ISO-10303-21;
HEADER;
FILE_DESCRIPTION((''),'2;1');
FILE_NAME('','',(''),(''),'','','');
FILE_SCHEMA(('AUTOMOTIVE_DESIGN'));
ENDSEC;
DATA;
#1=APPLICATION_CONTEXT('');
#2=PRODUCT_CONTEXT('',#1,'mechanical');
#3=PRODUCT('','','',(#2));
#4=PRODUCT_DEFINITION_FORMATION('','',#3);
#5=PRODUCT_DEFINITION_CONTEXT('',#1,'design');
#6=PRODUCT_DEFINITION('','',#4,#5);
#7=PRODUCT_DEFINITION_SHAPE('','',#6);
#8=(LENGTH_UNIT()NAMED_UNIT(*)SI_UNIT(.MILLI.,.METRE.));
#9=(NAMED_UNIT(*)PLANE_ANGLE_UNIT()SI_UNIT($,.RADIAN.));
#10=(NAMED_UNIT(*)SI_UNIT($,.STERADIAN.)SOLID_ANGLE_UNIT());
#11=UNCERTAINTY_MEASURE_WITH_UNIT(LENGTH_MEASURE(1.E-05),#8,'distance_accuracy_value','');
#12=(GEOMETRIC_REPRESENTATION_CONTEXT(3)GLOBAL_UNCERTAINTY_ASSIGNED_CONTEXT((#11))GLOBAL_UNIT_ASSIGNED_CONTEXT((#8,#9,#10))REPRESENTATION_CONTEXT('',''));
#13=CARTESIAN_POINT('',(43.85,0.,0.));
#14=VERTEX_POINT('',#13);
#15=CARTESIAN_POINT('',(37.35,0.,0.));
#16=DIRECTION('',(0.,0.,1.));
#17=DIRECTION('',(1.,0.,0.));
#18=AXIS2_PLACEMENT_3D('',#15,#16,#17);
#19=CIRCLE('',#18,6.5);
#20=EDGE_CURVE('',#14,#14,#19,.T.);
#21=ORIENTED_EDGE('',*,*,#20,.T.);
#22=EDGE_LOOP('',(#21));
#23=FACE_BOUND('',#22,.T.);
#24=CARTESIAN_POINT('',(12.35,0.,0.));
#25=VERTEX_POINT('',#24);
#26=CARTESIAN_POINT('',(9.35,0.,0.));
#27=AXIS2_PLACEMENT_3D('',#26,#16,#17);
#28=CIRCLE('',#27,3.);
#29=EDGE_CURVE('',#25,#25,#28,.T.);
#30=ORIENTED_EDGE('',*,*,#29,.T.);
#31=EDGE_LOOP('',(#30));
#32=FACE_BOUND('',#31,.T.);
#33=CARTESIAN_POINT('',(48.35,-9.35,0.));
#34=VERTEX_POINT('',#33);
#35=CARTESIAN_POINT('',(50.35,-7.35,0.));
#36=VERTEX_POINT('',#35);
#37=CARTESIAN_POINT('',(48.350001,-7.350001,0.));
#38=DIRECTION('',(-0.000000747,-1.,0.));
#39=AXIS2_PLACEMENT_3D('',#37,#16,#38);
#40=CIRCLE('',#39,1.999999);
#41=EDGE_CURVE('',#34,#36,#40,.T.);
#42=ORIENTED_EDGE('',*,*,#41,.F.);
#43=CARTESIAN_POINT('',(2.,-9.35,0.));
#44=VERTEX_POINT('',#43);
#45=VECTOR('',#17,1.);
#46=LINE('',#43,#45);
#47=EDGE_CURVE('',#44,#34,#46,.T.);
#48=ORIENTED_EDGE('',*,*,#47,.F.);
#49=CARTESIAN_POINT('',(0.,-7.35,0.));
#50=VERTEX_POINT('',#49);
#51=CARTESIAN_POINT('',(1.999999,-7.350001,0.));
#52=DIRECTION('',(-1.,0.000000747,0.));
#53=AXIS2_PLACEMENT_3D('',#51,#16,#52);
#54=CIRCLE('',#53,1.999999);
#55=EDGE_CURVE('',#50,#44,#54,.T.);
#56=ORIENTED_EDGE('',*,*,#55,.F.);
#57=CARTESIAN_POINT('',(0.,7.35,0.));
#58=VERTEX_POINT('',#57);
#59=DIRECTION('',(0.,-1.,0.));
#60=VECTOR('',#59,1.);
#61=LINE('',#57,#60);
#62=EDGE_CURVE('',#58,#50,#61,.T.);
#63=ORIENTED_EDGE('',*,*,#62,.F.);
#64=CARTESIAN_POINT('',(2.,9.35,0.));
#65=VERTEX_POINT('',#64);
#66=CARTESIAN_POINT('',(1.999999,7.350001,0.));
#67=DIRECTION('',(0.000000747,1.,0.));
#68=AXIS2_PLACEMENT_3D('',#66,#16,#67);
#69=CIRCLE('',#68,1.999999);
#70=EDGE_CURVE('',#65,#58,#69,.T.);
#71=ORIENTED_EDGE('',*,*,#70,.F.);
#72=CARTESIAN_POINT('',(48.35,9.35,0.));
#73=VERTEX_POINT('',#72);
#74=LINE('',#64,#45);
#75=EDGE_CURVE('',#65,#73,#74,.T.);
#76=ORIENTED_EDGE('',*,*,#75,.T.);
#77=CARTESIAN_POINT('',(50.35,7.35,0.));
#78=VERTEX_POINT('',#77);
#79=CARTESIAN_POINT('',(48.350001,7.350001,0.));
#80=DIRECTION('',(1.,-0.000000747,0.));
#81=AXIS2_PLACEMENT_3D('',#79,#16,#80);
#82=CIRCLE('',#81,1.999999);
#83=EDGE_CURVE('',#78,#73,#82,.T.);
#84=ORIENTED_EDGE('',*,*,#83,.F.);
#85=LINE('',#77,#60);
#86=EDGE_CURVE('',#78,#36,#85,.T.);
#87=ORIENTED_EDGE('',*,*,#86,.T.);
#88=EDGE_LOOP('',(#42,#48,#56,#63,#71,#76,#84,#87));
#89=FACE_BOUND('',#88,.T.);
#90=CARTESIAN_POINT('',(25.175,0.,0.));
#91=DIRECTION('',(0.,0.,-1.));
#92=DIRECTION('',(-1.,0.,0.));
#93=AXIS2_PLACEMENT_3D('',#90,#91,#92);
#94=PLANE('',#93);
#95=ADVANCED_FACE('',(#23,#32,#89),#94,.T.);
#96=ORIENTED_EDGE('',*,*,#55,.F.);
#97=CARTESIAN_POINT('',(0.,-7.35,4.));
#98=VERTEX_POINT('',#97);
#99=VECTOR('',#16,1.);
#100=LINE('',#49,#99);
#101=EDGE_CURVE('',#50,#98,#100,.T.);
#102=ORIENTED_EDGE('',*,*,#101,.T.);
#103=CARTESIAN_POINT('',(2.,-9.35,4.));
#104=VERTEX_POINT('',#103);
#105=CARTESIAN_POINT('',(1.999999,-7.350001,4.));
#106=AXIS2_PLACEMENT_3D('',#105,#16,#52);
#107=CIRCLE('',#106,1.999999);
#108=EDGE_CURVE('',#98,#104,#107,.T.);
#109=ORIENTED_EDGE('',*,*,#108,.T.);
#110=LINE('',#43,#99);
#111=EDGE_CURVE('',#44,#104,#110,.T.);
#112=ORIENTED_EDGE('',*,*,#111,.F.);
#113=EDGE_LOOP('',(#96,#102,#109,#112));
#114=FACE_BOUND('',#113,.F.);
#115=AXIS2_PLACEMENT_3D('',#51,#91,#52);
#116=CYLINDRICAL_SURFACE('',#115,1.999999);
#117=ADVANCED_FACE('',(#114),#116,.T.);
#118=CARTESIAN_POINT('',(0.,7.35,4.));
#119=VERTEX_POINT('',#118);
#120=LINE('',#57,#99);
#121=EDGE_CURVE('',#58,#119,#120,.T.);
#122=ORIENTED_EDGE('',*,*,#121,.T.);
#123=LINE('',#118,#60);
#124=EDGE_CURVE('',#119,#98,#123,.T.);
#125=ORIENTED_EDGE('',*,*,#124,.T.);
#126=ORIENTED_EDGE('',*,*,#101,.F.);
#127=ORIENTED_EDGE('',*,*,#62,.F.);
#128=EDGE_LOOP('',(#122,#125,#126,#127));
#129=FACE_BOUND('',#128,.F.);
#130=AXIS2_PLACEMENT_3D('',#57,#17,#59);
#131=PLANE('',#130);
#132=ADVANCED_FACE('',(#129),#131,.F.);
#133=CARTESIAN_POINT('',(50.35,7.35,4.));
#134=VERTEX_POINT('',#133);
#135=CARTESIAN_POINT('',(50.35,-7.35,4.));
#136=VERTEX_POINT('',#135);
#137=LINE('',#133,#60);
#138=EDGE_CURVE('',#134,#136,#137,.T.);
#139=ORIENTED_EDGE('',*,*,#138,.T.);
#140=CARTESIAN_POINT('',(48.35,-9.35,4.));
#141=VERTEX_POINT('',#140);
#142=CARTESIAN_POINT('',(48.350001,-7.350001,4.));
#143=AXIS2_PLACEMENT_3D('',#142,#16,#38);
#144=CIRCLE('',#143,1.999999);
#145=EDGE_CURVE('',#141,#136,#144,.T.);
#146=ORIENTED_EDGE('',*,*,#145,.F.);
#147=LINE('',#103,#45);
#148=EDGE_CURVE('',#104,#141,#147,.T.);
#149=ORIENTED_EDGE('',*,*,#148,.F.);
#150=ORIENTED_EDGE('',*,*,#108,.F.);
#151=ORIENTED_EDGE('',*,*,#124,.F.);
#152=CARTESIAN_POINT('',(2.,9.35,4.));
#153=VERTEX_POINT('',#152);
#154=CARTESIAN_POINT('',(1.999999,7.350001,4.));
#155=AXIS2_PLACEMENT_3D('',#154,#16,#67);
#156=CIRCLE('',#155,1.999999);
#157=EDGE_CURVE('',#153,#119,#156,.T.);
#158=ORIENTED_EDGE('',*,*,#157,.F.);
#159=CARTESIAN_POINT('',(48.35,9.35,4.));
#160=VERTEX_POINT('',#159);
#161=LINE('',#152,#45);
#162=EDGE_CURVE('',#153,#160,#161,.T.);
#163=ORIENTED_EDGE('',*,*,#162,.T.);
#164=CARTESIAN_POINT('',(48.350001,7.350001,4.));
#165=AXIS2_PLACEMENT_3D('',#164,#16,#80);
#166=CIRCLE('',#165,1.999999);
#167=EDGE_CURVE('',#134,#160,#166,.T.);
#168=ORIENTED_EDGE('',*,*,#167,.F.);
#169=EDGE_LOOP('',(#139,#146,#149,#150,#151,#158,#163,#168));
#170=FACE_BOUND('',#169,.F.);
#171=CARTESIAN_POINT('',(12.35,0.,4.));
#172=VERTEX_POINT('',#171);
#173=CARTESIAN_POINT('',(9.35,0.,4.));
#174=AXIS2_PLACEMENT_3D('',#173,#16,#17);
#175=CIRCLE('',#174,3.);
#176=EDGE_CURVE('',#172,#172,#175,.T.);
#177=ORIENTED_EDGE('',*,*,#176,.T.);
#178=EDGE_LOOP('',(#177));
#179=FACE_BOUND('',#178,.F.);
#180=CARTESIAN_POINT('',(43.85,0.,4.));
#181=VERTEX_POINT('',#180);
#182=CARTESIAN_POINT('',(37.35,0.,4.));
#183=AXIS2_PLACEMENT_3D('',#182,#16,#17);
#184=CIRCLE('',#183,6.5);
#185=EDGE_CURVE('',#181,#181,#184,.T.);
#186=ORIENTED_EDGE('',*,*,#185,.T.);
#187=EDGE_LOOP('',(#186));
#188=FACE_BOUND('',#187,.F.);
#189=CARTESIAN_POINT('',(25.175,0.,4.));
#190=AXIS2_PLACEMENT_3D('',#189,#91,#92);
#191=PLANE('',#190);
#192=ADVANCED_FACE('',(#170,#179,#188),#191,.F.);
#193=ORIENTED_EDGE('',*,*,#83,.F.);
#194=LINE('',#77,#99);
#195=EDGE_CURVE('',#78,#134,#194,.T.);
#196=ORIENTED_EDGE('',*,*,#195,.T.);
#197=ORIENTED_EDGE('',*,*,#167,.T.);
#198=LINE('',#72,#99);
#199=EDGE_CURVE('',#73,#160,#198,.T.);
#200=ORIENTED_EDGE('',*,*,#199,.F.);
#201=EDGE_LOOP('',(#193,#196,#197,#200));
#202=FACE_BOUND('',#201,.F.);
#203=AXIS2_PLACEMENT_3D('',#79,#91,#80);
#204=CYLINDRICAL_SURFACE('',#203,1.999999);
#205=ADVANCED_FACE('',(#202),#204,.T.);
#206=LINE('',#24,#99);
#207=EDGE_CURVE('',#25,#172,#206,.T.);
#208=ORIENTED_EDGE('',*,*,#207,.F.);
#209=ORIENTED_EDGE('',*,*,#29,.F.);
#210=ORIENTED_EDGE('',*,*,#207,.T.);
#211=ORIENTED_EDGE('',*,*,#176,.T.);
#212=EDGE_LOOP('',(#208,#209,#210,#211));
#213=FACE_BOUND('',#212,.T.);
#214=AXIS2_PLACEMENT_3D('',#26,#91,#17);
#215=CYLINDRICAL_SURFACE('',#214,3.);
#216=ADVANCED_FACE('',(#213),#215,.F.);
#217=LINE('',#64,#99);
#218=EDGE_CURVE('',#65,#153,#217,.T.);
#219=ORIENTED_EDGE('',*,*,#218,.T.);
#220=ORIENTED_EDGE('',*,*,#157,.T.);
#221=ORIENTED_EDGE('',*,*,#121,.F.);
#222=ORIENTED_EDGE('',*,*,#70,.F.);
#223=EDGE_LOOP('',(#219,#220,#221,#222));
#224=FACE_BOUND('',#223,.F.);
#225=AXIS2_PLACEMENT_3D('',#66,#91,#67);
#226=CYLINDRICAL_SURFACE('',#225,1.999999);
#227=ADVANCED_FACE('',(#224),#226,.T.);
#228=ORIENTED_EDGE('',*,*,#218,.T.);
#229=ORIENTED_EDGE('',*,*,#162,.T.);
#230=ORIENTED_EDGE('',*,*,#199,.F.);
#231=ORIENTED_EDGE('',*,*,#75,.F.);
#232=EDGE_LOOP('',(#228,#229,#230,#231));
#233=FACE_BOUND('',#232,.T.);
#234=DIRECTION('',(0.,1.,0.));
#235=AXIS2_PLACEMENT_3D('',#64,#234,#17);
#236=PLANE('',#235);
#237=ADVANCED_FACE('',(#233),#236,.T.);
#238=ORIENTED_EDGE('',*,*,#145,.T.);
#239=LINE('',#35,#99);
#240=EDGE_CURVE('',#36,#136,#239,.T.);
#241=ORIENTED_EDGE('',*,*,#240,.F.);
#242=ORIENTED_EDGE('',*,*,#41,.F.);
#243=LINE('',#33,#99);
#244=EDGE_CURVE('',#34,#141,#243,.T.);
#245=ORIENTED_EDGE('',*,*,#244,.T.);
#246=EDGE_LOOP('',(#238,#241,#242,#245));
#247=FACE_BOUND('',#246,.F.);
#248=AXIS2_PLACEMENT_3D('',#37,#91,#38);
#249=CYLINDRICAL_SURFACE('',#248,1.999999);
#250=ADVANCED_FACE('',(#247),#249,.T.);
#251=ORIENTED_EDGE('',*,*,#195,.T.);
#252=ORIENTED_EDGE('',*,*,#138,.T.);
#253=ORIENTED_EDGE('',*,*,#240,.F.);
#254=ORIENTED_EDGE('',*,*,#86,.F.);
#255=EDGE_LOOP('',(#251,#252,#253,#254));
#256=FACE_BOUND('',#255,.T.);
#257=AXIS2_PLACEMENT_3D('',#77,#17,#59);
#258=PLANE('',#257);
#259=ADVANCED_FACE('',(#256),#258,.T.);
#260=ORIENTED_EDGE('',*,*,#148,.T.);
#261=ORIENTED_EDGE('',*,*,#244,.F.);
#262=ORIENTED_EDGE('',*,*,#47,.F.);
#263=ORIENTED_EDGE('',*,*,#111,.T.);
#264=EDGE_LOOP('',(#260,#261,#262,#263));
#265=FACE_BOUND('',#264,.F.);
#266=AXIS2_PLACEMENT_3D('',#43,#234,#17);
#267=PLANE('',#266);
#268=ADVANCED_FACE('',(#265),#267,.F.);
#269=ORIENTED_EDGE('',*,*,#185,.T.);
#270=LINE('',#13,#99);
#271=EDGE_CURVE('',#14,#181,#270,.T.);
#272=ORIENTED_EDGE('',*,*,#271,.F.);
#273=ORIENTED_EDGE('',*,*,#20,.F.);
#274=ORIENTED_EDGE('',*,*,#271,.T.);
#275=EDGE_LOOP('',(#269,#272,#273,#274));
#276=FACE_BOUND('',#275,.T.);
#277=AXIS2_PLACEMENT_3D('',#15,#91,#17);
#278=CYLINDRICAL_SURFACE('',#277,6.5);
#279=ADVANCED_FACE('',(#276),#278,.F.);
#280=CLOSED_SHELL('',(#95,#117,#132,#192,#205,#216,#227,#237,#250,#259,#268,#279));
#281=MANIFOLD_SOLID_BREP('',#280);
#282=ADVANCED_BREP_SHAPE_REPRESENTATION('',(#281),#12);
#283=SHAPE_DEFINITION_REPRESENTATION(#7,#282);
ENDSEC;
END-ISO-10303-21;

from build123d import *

# Parameters (mm, degrees)
SKETCH_R   = 3
SKETCH_R_2 = 6.5
PAD_DEPTH  = 4


with BuildPart() as part:
    # Sketch → Pad (new body)
    with BuildSketch(Plane.XY):
        with BuildLine():
            Line((2, 9.35), (48.35, 9.35))
            ThreePointArc((50.35, 7.35), (49.764214, 8.764214), (48.35, 9.35))
            Line((50.35, 7.35), (50.35, -7.35))
            ThreePointArc((48.35, -9.35), (49.764214, -8.764214), (50.35, -7.35))
            Line((2, -9.35), (48.35, -9.35))
            ThreePointArc((0, -7.35), (0.585786, -8.764214), (2, -9.35))
            Line((0, 7.35), (0, -7.35))
            ThreePointArc((2, 9.35), (0.585786, 8.764214), (0, 7.35))
        make_face()
        with Locations((9.35, 0)):
            Circle(SKETCH_R, mode=Mode.SUBTRACT)
        with Locations((37.35, 0)):
            Circle(SKETCH_R_2, mode=Mode.SUBTRACT)
    extrude(amount=PAD_DEPTH)


solid = part.part
